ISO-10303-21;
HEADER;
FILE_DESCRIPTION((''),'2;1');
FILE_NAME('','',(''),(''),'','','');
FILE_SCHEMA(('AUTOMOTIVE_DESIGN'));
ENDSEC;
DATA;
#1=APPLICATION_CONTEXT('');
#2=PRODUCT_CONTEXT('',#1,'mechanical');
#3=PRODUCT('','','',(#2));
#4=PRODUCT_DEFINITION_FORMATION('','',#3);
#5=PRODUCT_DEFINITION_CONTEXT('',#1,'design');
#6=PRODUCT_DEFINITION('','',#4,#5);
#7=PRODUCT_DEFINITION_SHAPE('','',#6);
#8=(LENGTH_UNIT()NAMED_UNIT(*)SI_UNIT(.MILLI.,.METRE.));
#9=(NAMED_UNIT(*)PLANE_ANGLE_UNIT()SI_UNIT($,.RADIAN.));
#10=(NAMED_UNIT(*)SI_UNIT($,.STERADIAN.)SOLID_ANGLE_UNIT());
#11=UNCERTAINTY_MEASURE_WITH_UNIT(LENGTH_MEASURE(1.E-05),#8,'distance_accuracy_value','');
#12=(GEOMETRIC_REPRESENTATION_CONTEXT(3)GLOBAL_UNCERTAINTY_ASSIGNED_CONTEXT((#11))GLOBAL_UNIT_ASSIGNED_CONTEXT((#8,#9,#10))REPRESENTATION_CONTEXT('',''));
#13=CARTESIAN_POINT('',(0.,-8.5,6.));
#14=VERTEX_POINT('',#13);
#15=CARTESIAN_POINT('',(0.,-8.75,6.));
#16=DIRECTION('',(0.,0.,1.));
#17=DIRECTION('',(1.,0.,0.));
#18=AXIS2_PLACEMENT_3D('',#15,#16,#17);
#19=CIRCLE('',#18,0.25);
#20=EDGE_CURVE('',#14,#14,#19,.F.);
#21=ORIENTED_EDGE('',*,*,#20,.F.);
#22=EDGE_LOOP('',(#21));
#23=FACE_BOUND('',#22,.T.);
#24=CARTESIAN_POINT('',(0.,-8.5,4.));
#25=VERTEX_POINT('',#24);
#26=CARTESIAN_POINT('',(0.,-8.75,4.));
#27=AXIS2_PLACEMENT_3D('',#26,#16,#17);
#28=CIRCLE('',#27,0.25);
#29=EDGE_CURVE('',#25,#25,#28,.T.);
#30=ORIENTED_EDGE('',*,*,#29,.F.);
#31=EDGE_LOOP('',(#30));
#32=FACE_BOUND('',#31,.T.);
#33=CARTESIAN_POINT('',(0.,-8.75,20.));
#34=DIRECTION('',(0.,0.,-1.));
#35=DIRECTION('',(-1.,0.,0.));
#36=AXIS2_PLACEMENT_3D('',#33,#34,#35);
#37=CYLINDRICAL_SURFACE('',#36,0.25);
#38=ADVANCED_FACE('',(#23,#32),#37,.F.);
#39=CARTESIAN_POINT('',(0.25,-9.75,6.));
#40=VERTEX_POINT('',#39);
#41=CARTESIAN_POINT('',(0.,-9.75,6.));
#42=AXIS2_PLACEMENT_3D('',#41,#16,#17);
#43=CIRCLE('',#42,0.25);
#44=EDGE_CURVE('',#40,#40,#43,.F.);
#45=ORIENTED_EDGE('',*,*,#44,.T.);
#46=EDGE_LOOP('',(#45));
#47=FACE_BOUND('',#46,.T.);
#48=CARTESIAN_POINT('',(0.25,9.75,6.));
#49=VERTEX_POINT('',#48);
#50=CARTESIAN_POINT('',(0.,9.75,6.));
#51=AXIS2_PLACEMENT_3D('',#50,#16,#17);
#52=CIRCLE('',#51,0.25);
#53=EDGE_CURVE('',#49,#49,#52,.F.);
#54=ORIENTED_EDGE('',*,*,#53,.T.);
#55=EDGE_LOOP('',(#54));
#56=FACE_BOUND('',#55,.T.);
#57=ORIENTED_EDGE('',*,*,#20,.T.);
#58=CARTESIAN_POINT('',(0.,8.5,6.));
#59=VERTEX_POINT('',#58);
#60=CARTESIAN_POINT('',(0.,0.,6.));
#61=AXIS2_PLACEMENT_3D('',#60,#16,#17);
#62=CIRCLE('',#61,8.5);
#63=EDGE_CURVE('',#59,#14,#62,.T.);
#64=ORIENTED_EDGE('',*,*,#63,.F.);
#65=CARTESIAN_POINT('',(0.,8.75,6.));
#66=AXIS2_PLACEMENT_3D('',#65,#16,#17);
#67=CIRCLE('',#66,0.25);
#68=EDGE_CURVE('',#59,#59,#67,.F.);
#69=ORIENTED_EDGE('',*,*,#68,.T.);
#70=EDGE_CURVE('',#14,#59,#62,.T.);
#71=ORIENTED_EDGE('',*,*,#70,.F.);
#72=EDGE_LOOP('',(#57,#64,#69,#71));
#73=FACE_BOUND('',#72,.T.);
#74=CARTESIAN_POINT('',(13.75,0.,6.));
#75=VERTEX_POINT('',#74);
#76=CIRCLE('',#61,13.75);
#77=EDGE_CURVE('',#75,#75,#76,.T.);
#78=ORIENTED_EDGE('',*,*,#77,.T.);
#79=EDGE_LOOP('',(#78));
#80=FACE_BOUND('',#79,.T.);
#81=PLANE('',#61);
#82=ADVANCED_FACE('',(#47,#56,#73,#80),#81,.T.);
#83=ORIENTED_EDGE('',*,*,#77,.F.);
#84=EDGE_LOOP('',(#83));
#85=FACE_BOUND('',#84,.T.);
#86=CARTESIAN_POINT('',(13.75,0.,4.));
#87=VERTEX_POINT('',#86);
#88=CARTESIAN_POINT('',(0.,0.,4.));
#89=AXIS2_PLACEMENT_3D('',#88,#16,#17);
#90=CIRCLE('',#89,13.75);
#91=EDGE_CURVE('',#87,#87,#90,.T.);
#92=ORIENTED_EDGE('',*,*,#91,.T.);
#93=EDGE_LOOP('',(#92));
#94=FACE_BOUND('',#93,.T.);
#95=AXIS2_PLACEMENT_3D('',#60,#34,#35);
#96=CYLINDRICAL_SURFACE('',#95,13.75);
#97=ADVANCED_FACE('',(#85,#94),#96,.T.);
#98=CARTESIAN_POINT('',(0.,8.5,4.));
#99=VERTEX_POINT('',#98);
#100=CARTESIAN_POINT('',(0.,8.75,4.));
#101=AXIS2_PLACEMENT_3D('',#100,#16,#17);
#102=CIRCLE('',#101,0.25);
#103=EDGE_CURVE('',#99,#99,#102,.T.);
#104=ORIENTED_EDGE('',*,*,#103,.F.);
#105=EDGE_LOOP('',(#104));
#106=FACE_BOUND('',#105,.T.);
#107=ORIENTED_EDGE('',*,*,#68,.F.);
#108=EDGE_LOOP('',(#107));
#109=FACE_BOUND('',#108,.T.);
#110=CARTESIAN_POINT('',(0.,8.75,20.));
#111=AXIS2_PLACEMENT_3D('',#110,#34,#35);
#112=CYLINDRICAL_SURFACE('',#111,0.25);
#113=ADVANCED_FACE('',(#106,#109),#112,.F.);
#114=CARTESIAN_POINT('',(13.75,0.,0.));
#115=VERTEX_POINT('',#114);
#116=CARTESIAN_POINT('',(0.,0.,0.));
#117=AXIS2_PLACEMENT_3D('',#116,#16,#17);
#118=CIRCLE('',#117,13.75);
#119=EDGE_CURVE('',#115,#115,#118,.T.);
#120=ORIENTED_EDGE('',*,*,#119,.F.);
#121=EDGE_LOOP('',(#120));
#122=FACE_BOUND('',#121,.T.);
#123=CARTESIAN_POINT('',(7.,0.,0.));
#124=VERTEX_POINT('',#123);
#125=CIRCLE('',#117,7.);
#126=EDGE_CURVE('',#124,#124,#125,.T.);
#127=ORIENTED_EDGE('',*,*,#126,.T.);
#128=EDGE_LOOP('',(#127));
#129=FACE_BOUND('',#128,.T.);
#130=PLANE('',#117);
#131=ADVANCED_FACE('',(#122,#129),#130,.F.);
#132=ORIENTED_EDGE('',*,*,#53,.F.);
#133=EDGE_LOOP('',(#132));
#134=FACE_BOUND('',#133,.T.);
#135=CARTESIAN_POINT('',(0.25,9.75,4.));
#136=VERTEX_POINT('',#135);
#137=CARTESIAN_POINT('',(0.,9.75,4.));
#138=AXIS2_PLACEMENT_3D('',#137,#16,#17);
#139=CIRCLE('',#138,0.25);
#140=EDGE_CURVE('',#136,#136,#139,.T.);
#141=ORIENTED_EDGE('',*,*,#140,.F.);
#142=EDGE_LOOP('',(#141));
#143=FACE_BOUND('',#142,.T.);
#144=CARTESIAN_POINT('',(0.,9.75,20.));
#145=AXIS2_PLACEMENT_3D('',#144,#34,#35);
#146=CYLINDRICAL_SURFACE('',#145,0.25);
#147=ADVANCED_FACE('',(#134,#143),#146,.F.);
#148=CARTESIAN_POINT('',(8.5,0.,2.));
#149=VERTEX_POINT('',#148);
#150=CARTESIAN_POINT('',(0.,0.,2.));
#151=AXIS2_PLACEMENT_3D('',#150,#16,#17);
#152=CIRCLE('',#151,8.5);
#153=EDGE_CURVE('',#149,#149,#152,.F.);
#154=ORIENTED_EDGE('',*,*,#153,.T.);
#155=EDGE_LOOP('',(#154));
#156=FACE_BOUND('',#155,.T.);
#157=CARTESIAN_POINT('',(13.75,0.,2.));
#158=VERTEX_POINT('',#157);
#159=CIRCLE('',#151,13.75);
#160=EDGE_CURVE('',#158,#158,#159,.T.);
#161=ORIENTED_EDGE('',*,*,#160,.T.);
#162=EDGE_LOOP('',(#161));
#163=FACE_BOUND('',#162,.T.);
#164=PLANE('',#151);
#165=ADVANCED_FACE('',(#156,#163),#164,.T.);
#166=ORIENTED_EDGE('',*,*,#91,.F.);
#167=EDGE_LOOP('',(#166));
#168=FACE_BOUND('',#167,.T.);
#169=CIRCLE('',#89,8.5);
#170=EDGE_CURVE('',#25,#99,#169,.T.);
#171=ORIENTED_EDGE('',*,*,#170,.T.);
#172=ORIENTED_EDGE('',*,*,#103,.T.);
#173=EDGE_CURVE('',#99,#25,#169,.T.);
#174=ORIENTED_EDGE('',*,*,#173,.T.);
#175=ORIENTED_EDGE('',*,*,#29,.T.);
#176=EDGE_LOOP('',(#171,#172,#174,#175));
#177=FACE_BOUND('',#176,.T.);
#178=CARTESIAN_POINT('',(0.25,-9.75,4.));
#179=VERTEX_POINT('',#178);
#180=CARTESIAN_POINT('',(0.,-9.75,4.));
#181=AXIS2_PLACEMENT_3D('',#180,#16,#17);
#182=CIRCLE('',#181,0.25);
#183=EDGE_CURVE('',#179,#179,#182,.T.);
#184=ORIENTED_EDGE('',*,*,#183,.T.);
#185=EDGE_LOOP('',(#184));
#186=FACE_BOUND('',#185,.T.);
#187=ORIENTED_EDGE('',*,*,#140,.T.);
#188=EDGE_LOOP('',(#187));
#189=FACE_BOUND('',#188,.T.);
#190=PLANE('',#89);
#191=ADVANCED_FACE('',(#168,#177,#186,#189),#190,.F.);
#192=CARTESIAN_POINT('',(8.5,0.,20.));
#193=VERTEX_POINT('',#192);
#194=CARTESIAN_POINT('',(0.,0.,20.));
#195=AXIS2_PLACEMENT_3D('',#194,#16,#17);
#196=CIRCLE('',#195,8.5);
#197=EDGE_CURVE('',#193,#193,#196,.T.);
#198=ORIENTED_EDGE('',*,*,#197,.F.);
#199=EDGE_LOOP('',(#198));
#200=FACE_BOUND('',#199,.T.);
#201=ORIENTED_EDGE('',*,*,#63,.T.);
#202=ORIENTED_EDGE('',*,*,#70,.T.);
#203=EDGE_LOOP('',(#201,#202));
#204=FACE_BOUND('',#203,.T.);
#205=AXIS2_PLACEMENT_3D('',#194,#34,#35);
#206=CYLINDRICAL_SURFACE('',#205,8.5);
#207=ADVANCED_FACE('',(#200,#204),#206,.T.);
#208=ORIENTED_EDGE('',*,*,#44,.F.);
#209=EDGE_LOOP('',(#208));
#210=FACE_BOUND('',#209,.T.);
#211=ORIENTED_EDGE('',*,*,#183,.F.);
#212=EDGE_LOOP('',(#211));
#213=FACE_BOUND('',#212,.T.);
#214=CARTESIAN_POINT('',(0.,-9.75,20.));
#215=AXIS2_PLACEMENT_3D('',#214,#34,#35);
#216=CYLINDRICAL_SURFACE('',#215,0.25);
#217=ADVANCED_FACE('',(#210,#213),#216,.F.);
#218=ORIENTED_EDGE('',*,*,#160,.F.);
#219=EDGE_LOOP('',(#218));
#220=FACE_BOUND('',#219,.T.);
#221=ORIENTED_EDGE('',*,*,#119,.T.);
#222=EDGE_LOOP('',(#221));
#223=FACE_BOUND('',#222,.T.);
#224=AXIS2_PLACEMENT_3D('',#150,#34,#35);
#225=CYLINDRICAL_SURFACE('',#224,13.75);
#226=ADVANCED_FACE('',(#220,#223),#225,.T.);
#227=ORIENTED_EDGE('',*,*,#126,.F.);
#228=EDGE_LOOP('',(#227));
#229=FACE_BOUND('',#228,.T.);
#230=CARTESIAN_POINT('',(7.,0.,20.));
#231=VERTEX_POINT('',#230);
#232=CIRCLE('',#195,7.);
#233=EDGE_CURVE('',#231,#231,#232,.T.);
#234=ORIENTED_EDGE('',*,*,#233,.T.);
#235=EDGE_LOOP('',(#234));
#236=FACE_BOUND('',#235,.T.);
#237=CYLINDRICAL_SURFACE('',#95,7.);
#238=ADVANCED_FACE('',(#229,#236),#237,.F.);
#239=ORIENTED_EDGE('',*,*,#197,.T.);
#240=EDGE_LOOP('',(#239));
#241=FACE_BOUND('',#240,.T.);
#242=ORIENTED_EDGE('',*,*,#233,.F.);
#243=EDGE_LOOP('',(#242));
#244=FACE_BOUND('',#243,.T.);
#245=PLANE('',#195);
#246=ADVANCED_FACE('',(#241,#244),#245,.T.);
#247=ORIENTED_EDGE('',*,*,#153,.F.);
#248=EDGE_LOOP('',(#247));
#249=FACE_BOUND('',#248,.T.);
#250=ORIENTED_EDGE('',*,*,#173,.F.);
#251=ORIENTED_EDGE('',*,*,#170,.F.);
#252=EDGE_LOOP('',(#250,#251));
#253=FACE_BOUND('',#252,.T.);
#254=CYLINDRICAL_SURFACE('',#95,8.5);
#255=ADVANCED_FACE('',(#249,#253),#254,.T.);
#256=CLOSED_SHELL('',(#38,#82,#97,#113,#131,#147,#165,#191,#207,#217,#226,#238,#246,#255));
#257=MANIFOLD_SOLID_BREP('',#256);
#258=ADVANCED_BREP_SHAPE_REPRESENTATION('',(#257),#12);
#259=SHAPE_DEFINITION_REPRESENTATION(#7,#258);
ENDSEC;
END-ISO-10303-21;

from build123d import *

# Parameters (mm, degrees)
SKETCH1_R           = 13.75
BOSS_EXTRUDE1_DEPTH = 2
SKETCH2_R           = 8.5
BOSS_EXTRUDE2_DEPTH = 6
BOSS_EXTRUDE3_START = 4
SKETCH3_R           = 13.75
BOSS_EXTRUDE3_DEPTH = 2
SKETCH5_R           = 7
CUT_EXTRUDE2_DEPTH  = 21.350061425
BOSS_EXTRUDE4_START = 6
SKETCH6_R           = 8.5
SKETCH6_R_2         = 7
BOSS_EXTRUDE4_DEPTH = 14
CUT_EXTRUDE3_START  = 4
SKETCH9_R           = 0.25
CUT_EXTRUDE3_DEPTH  = 24.894892006


with BuildPart() as part:
    # Sketch1 → Boss-Extrude1 (new body)
    with BuildSketch(Plane.XY):
        Circle(SKETCH1_R)
    extrude(amount=BOSS_EXTRUDE1_DEPTH)

    # Sketch2 → Boss-Extrude2 (add)
    with BuildSketch(Plane.XY):
        Circle(SKETCH2_R)
    extrude(amount=BOSS_EXTRUDE2_DEPTH)

    # Sketch3 → Boss-Extrude3 (add)
    with BuildSketch(Plane.XY.offset(BOSS_EXTRUDE3_START)):
        Circle(SKETCH3_R)
    extrude(amount=BOSS_EXTRUDE3_DEPTH)

    # Sketch5 → Cut-Extrude2 (cut, through all)
    with BuildSketch(Plane.XY):
        Circle(SKETCH5_R)
    extrude(amount=CUT_EXTRUDE2_DEPTH, mode=Mode.SUBTRACT)

    # Sketch6 → Boss-Extrude4 (add)
    with BuildSketch(Plane.XY.offset(BOSS_EXTRUDE4_START)):
        Circle(SKETCH6_R)
        Circle(SKETCH6_R_2, mode=Mode.SUBTRACT)
    extrude(amount=BOSS_EXTRUDE4_DEPTH)

    # Sketch9 → Cut-Extrude3 (cut, through all)
    with BuildSketch(Plane.XY.offset(CUT_EXTRUDE3_START)):
        with Locations((0, 9.75)):
            Circle(SKETCH9_R)
        with Locations((0, -9.75)):
            Circle(SKETCH9_R)
        with Locations(Location((0, 8.75, 0), (0, 0, 270.001597254))):
            Circle(SKETCH9_R)
        with Locations(Location((0, -8.75, 0), (0, 0, 90.001597254))):
            Circle(SKETCH9_R)
    extrude(amount=CUT_EXTRUDE3_DEPTH, mode=Mode.SUBTRACT)


solid = part.part
